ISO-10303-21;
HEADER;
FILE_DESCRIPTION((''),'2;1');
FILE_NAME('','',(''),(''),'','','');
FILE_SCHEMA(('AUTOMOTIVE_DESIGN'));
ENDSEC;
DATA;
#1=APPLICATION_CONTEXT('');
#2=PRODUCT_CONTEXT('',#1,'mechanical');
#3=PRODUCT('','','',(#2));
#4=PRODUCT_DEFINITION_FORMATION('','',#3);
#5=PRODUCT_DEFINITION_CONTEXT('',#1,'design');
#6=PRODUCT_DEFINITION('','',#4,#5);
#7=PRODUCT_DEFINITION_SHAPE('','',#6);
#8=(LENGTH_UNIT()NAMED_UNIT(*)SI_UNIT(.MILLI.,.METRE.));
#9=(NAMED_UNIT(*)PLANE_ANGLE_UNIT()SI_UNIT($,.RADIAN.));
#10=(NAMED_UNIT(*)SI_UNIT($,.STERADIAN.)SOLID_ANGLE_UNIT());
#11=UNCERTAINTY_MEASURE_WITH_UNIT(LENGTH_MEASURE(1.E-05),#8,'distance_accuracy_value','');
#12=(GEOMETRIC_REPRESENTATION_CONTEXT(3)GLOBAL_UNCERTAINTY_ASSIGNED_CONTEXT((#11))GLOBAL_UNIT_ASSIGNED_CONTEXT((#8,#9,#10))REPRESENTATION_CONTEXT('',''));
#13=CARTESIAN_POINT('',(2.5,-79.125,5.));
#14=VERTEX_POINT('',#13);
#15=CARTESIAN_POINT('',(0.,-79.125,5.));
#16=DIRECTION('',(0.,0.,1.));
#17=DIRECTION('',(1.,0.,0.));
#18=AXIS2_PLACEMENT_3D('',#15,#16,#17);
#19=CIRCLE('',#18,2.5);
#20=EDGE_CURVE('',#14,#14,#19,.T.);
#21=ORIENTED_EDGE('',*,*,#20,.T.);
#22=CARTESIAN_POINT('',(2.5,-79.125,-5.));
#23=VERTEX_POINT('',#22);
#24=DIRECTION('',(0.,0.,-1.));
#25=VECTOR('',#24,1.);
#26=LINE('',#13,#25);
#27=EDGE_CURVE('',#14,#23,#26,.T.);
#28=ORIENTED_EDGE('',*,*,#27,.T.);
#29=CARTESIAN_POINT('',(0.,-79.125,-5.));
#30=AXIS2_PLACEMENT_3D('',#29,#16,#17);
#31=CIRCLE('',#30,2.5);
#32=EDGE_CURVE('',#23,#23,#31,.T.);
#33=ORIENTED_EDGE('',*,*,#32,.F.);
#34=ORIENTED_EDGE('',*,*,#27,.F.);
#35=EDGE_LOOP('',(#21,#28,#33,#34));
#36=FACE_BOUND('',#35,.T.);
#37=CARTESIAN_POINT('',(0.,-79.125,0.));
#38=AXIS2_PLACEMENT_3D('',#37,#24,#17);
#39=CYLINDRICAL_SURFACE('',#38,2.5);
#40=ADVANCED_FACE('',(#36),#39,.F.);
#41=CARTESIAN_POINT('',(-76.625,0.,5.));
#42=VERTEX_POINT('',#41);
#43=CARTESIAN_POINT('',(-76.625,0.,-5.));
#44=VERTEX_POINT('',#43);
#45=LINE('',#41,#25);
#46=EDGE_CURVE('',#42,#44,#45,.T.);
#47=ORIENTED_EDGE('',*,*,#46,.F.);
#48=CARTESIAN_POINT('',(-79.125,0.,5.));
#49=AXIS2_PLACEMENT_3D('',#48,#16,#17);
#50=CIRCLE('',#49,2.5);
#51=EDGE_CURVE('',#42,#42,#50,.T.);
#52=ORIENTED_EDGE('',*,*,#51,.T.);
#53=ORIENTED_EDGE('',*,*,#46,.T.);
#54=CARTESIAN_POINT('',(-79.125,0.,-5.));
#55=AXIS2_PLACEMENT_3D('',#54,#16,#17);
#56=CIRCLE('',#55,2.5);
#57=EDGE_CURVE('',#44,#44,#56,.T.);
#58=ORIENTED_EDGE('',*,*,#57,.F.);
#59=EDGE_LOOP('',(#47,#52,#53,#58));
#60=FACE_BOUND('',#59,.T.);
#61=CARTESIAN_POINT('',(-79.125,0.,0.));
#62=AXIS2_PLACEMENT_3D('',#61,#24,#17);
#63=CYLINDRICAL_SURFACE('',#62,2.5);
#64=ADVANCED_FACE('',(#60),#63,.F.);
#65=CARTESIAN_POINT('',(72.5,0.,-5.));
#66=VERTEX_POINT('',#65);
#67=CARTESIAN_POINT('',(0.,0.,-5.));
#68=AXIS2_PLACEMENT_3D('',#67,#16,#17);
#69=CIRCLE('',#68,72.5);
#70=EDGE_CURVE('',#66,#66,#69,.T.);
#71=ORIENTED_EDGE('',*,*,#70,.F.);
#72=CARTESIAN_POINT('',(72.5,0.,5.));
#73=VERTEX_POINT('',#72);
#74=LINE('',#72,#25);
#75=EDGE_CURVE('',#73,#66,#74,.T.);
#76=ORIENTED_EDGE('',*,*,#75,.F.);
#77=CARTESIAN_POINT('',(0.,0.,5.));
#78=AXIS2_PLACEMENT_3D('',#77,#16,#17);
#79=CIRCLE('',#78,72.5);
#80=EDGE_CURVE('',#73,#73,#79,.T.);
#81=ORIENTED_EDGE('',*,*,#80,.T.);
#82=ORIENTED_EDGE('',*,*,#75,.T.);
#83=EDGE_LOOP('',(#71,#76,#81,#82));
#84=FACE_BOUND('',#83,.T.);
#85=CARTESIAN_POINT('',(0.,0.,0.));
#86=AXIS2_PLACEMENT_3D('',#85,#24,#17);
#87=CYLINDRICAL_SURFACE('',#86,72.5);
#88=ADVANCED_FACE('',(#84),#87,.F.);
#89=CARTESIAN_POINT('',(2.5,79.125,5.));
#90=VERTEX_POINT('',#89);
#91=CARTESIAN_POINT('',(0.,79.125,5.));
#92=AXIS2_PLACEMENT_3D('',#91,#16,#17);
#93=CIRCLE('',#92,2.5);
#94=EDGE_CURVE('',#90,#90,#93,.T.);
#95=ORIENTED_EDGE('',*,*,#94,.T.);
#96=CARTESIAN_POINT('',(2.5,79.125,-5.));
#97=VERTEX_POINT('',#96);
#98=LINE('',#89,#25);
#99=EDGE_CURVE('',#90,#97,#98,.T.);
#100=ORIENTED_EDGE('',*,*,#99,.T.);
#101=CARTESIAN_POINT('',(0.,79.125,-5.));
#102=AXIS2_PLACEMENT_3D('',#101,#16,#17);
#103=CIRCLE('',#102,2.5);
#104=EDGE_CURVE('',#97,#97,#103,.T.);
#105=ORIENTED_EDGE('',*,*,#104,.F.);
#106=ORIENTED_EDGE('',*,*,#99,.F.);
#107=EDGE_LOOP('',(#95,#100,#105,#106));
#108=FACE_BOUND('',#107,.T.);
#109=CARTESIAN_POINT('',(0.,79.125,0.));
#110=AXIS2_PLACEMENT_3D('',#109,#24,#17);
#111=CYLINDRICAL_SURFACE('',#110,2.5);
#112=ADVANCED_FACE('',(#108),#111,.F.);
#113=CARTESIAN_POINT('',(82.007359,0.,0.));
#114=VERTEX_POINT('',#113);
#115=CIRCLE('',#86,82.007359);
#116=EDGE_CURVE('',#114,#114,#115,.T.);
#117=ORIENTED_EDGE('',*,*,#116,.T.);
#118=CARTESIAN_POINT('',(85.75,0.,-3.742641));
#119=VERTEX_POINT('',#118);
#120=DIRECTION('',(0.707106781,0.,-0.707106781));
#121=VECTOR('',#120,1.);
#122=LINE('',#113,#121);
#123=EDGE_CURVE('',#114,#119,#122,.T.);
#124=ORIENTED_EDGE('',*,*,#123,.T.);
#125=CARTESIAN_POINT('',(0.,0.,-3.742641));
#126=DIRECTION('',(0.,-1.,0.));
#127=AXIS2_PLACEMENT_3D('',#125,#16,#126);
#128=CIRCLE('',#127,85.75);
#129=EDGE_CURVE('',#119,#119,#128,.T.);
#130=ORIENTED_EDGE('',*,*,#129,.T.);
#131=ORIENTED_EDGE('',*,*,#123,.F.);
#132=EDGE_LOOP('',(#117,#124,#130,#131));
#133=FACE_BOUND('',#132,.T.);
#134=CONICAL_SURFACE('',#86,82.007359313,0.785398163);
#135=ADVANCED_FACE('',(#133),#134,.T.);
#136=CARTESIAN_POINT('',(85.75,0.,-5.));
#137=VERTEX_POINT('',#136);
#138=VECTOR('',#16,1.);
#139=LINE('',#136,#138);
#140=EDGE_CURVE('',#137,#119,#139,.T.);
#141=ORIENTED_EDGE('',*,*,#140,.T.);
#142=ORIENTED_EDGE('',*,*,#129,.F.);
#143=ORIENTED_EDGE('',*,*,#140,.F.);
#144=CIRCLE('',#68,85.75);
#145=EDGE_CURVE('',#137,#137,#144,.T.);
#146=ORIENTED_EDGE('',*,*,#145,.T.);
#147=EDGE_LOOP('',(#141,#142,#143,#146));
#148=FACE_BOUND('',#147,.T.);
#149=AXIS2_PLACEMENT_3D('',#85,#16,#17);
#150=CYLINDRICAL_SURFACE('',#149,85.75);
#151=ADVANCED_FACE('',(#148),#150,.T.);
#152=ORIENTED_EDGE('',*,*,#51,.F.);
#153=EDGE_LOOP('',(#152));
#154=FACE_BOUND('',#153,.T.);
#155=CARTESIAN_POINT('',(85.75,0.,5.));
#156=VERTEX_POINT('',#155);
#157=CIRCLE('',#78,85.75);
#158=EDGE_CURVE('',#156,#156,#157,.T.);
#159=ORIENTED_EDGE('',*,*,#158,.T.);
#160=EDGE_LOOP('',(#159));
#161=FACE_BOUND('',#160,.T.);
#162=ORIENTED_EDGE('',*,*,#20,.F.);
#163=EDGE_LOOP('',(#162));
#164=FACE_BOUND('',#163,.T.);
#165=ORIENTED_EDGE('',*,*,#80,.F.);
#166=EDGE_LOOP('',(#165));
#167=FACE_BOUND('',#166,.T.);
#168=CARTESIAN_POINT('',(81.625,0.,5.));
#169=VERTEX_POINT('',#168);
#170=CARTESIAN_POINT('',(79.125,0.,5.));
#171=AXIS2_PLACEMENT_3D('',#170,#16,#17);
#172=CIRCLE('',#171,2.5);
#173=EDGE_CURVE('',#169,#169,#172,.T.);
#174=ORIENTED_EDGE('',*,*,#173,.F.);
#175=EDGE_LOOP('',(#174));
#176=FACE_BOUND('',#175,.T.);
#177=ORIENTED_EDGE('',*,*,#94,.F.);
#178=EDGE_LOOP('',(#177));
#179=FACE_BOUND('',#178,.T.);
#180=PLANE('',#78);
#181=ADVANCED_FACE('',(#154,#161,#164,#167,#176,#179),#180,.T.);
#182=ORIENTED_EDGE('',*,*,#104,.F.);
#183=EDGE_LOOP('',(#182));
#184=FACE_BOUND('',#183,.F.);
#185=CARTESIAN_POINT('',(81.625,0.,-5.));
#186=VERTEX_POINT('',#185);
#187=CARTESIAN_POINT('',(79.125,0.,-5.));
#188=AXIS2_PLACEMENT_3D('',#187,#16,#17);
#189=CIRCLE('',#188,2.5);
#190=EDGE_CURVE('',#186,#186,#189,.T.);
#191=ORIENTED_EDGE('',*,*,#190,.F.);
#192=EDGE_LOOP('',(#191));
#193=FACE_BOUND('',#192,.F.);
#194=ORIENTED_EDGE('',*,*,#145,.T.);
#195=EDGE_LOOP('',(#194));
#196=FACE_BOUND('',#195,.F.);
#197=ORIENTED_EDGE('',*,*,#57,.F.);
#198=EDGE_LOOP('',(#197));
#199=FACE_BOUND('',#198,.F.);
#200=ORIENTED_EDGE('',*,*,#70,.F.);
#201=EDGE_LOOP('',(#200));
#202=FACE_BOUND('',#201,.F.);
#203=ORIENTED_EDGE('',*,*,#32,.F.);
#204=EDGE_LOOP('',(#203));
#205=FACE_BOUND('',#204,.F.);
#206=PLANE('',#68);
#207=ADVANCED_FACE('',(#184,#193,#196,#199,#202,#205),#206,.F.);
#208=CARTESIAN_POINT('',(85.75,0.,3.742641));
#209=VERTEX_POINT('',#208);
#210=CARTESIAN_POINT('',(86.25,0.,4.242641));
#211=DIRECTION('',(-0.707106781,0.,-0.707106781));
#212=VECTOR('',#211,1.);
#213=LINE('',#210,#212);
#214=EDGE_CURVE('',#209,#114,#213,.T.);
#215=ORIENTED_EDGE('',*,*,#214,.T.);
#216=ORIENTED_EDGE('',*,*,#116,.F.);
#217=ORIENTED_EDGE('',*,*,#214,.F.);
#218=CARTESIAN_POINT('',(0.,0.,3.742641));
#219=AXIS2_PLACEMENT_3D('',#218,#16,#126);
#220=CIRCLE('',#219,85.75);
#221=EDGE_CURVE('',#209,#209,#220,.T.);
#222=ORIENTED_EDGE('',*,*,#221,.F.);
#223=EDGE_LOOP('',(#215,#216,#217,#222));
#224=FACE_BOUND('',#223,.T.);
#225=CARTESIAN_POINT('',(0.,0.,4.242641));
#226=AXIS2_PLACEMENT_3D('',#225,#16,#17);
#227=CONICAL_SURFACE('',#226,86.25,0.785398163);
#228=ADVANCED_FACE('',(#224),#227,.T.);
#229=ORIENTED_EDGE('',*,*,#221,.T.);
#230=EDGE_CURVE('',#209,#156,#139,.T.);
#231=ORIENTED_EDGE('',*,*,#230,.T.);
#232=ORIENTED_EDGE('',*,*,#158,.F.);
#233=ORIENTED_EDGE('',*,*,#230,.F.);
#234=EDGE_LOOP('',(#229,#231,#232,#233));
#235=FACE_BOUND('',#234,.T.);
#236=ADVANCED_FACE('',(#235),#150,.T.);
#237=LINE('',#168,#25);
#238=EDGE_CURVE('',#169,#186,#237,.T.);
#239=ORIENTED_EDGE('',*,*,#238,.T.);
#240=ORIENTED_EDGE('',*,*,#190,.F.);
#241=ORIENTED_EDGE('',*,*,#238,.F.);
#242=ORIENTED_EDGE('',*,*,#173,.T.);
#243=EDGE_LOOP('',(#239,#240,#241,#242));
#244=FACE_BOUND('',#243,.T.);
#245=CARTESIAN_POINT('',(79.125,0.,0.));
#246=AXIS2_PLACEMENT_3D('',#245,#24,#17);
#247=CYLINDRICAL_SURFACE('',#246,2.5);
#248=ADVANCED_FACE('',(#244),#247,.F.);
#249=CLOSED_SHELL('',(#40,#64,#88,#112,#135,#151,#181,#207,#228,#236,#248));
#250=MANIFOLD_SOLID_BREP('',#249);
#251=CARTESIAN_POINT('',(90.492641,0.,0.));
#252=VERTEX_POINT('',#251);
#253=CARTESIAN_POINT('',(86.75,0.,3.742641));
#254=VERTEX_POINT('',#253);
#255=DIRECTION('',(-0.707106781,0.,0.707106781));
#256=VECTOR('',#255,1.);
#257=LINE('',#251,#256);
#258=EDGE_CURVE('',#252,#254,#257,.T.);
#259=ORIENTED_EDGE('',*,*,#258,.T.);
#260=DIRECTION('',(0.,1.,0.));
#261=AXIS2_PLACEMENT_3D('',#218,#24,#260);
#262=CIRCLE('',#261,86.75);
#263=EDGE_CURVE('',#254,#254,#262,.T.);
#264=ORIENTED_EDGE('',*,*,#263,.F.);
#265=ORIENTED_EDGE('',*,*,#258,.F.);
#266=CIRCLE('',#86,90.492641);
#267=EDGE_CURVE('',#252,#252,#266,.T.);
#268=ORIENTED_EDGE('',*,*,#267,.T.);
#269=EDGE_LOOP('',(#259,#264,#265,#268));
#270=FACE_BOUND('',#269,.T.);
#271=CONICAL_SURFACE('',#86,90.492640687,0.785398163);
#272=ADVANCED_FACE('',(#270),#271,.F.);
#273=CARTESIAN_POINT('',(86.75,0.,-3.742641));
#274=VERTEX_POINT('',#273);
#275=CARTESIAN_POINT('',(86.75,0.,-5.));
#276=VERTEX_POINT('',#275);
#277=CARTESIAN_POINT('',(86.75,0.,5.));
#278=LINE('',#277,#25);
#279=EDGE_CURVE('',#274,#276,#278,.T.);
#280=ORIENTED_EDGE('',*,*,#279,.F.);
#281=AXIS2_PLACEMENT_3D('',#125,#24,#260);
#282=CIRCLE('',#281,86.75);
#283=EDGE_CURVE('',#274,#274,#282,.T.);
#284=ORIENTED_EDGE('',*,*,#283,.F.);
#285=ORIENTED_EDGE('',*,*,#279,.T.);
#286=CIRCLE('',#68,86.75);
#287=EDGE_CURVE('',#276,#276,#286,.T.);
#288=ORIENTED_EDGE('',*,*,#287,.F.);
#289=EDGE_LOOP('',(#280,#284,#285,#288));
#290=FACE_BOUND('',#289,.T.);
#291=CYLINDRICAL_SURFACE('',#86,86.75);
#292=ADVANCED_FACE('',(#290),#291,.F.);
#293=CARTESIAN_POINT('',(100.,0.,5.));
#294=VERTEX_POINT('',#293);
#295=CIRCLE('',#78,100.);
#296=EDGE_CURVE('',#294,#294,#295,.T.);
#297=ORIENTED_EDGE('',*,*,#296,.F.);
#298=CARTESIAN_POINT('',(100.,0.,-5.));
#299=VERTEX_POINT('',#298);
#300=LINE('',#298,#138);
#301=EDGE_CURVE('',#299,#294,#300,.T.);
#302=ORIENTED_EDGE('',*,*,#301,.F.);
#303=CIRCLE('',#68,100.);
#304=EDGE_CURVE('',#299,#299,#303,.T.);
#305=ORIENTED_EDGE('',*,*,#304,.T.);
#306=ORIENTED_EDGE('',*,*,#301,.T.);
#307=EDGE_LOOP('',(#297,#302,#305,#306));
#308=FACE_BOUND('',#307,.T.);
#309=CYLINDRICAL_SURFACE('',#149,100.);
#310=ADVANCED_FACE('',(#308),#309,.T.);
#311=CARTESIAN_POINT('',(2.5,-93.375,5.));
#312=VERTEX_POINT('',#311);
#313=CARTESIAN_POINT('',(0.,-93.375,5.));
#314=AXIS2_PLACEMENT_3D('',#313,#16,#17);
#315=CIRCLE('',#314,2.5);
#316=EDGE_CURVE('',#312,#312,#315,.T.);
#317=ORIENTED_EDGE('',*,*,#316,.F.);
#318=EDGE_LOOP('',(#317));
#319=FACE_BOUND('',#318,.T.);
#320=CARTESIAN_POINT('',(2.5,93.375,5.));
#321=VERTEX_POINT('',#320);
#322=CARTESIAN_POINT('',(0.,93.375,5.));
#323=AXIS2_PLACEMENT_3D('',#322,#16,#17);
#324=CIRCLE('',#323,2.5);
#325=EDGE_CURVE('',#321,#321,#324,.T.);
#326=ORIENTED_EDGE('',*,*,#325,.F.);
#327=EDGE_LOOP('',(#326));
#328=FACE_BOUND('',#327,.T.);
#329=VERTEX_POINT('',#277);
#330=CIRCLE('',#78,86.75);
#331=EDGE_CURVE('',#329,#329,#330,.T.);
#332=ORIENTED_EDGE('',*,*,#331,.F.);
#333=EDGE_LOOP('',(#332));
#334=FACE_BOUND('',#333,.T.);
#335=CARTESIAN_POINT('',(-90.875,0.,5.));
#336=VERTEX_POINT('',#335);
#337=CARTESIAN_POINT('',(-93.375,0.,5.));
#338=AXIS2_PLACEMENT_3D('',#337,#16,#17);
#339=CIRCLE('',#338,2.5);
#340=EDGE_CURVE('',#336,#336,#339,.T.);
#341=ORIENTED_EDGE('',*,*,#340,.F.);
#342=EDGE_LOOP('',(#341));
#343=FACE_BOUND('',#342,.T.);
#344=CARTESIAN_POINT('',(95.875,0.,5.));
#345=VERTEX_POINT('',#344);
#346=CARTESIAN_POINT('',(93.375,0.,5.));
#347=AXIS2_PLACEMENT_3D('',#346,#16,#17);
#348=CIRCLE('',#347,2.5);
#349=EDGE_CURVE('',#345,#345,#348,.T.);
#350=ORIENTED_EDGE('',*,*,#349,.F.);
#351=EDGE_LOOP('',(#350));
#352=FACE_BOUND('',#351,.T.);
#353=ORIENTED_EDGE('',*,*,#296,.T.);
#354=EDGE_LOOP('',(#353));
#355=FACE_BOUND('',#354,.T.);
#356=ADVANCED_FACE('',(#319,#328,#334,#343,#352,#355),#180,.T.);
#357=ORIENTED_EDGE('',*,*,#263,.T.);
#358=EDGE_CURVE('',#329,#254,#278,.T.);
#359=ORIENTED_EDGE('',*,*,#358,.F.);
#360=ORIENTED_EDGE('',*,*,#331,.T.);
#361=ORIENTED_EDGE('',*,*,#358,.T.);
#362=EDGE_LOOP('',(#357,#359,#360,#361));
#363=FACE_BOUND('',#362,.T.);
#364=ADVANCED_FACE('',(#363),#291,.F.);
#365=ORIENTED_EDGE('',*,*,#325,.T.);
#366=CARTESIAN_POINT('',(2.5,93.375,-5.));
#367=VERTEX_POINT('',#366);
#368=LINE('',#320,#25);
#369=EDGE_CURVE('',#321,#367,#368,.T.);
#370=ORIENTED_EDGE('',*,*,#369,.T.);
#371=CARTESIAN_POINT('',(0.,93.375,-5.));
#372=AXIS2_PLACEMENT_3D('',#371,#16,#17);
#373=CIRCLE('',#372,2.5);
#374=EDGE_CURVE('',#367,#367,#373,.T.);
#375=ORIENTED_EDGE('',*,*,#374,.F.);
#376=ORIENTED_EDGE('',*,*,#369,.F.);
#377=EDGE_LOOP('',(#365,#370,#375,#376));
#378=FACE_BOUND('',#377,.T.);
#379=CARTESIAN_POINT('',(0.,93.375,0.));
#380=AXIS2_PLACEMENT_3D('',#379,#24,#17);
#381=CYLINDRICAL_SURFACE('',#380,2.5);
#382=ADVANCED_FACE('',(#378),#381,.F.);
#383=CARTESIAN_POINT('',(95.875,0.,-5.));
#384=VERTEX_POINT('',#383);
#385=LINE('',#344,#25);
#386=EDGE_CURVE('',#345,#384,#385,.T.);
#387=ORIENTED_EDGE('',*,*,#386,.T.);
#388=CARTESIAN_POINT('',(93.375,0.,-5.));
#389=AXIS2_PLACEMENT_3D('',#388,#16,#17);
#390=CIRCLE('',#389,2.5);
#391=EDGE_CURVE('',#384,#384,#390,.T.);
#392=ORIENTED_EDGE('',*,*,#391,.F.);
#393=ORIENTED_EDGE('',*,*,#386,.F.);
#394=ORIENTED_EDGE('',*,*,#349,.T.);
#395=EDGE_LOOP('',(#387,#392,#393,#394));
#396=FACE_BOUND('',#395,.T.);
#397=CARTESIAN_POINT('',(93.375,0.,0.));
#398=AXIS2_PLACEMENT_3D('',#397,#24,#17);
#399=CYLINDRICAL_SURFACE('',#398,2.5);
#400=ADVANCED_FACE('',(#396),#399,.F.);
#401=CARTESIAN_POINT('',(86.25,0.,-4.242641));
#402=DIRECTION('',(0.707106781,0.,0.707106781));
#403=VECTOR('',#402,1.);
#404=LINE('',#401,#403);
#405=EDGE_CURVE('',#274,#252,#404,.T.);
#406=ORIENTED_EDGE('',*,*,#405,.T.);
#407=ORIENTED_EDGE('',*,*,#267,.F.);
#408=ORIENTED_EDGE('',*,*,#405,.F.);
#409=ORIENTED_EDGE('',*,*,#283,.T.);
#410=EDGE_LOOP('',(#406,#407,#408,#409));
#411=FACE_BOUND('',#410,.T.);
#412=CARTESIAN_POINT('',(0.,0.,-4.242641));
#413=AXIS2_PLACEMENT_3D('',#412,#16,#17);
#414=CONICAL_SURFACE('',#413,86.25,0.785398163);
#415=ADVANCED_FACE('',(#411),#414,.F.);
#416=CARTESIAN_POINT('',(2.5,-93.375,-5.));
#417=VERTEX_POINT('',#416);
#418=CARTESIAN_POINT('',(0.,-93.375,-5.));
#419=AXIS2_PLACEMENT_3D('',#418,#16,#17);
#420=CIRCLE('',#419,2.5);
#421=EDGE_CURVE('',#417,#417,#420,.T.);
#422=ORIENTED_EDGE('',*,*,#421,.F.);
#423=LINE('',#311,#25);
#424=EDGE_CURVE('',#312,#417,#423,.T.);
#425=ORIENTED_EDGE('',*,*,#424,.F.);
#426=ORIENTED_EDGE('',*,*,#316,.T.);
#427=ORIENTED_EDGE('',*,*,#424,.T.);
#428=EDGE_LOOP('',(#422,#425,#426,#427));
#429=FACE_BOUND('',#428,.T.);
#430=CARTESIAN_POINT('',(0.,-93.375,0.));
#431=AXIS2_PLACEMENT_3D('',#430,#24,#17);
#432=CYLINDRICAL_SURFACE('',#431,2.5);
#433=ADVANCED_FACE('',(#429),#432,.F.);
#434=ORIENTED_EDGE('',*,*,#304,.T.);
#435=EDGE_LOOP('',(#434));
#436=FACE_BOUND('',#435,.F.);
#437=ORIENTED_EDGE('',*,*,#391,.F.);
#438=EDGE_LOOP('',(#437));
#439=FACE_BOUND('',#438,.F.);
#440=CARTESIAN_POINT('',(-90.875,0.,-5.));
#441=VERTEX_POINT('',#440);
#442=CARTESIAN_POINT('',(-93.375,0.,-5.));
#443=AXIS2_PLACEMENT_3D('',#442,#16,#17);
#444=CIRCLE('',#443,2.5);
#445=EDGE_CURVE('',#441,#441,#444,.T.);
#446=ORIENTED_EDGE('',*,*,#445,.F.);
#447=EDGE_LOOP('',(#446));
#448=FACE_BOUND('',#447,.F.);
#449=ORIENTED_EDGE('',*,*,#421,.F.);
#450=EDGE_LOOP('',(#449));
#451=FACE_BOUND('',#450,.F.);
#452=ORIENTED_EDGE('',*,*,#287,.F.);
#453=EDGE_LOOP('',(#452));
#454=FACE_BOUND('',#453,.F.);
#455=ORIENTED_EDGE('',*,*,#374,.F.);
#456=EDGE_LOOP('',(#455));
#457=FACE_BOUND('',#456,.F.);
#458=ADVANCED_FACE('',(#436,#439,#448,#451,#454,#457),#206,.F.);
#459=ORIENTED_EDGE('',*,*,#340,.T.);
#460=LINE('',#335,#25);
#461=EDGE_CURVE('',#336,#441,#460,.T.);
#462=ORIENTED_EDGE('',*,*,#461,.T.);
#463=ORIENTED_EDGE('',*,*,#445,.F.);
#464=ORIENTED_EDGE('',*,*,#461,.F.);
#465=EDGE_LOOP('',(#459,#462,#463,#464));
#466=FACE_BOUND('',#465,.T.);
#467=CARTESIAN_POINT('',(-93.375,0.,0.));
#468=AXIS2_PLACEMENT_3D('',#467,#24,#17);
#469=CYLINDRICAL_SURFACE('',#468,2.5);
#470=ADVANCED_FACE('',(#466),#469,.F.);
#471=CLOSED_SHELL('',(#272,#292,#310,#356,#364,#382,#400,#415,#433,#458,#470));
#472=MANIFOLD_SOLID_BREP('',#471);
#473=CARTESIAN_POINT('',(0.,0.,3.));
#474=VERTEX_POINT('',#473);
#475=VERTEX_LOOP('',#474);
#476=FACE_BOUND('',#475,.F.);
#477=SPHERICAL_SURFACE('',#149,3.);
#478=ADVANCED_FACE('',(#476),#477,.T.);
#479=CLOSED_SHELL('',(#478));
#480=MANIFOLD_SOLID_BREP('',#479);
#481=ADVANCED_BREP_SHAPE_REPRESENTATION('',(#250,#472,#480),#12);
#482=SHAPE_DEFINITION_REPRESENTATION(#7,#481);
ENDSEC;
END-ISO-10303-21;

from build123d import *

# Parameters (mm, degrees)
F1_R     = 100
F1_R_2   = 2.5
F1_R_3   = 86.75
F2_DEPTH = 5
F3_R     = 85.75
F3_R_2   = 2.5
F3_R_3   = 72.5
F4_DEPTH = 5


with BuildPart() as f2:
    # F1 (on Top) → F2 (new body, symmetric)
    with BuildSketch(Plane.XY):
        Circle(F1_R)
        with Locations((0, -93.375)):
            Circle(F1_R_2, mode=Mode.SUBTRACT)
        with Locations((-93.375, 0)):
            Circle(F1_R_2, mode=Mode.SUBTRACT)
        Circle(F1_R_3, mode=Mode.SUBTRACT)
        with Locations((93.375, 0)):
            Circle(F1_R_2, mode=Mode.SUBTRACT)
        with Locations((0, 93.375)):
            Circle(F1_R_2, mode=Mode.SUBTRACT)
    extrude(amount=F2_DEPTH, both=True)


with BuildPart() as f4:
    # F3 (on Top) → F4 (new body, symmetric)
    with BuildSketch(Plane.XY):
        Circle(F3_R)
        with Locations((0, -79.125)):
            Circle(F3_R_2, mode=Mode.SUBTRACT)
        with Locations((-79.125, 0)):
            Circle(F3_R_2, mode=Mode.SUBTRACT)
        Circle(F3_R_3, mode=Mode.SUBTRACT)
        with Locations((79.125, 0)):
            Circle(F3_R_2, mode=Mode.SUBTRACT)
        with Locations((0, 79.125)):
            Circle(F3_R_2, mode=Mode.SUBTRACT)
    extrude(amount=F4_DEPTH, both=True)


with BuildPart() as f6:
    # F5 (on Front) → F6 (revolve)
    with BuildSketch(Plane.XZ):
        Polygon((90.4926406871, 0), (86.25, 4.2426406871), (82.0073593129, 0), (86.25, -4.2426406871), align=None)
    revolve(axis=Axis((0, 0, 0), (0, 0, -1)))


with BuildPart() as f2_1:
    add(f2.part)

    # F7: cut F6
    add(f6.part, mode=Mode.SUBTRACT)


with BuildPart() as f4_1:
    add(f4.part)

    # F7: cut F6
    add(f6.part, mode=Mode.SUBTRACT)


with BuildPart() as f9:
    # F8 (on Front) → F9 (revolve)
    with BuildSketch(Plane.XZ):
        with BuildLine():
            Line((0, 3), (0, -3))
            ThreePointArc((0, -3), (3, 0), (0, 3))
        make_face()
    revolve(axis=Axis((0, 0, 0), (0, 0, -1)))


solid = Compound([f2_1.part, f4_1.part, f9.part])
